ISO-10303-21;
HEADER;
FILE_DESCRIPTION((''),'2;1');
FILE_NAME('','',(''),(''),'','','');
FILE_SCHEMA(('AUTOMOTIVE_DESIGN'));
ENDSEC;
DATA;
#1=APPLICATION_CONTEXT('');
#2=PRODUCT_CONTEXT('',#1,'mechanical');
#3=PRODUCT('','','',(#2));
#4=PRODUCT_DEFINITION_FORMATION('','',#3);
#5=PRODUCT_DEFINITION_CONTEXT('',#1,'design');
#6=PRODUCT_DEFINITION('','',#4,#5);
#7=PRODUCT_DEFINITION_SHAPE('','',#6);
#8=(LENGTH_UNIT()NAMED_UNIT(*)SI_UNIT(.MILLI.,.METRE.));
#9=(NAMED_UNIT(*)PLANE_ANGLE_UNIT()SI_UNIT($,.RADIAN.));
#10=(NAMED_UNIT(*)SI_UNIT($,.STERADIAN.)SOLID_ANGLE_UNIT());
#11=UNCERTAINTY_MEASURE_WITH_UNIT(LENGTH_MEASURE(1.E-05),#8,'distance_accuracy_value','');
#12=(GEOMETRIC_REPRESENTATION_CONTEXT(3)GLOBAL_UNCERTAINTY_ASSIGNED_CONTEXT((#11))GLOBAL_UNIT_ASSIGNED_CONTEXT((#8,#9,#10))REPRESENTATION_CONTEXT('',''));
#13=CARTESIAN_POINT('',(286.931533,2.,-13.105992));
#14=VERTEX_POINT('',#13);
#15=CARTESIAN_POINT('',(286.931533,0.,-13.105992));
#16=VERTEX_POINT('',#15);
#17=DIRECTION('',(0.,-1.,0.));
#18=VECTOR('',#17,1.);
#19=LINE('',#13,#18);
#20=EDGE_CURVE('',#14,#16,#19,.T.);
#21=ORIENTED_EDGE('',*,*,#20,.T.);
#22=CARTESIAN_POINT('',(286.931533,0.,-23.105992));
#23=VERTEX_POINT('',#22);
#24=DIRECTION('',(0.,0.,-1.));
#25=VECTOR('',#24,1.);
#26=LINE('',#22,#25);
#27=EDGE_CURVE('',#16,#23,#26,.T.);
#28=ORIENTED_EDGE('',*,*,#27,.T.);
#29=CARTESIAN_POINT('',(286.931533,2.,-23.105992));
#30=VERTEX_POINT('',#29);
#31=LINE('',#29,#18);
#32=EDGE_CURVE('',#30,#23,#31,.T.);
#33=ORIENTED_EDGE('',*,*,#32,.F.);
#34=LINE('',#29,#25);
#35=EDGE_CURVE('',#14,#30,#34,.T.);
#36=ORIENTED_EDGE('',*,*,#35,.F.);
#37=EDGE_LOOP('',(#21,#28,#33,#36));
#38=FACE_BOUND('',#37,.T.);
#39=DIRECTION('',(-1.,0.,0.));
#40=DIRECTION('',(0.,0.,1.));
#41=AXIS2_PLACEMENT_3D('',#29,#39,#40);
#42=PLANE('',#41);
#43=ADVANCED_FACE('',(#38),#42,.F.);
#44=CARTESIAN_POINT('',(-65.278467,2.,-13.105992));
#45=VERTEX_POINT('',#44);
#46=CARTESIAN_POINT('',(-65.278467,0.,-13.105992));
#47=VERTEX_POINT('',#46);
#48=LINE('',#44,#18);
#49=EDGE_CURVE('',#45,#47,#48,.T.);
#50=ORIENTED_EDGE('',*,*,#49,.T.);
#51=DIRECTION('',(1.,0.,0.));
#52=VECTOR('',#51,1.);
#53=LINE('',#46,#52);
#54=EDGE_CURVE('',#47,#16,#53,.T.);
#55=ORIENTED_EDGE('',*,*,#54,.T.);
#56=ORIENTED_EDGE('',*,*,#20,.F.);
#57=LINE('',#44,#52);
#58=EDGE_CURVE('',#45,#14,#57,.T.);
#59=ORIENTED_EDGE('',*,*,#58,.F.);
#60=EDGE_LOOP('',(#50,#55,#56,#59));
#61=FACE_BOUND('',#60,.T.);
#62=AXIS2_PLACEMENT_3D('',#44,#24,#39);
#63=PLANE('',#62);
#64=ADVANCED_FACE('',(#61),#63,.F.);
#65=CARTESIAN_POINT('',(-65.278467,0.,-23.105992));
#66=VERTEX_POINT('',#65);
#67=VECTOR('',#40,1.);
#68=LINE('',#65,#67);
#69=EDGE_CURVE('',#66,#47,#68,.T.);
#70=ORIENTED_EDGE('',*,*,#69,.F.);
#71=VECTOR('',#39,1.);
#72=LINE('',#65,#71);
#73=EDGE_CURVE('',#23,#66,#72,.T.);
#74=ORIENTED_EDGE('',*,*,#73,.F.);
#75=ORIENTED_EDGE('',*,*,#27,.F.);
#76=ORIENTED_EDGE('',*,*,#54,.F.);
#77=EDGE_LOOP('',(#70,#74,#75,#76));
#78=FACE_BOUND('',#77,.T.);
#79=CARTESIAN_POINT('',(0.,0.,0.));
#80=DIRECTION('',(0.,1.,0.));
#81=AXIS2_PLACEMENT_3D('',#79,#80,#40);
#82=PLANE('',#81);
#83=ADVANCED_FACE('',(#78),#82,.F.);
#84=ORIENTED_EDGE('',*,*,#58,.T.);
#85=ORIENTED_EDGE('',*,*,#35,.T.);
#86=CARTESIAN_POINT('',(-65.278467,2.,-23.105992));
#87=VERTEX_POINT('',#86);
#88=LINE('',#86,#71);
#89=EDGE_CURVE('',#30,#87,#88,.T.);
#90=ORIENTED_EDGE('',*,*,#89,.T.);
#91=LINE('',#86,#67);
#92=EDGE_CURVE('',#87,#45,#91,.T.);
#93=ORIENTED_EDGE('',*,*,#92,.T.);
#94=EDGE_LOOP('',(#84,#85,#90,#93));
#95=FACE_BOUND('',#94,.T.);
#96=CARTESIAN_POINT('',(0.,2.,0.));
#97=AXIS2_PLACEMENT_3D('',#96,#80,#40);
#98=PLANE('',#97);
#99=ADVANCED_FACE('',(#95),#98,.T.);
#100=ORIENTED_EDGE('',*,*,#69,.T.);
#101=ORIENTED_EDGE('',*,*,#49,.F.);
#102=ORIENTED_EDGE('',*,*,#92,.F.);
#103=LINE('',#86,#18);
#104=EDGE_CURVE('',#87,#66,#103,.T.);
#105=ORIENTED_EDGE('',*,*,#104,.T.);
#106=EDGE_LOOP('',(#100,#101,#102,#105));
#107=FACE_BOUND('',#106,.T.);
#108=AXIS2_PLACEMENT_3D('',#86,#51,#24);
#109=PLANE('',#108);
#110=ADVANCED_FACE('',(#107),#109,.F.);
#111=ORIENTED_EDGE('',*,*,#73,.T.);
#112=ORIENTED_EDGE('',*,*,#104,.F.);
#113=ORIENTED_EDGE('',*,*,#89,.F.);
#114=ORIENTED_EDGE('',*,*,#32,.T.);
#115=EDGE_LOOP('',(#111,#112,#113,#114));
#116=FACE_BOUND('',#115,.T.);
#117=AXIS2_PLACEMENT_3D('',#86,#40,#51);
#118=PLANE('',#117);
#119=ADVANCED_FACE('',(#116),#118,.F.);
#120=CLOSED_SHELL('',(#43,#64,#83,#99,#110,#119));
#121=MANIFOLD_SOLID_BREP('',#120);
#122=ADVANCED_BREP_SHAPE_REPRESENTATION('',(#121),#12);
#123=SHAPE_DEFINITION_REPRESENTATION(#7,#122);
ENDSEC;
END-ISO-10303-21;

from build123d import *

# Parameters (mm, degrees)
SKETCH_1_W      = 352.21
SKETCH_1_H      = 10
EXTRUDE_1_DEPTH = 2


with BuildPart() as part:
    # 草图1 → 凸台-拉伸1 (new body)
    with BuildSketch(Plane(origin=(0, 0, 0), x_dir=(1, 0, 0), z_dir=(0, 1, 0))):
        with Locations((110.826533186, 18.105991967)):
            Rectangle(SKETCH_1_W, SKETCH_1_H)
    extrude(amount=EXTRUDE_1_DEPTH)


solid = part.part
